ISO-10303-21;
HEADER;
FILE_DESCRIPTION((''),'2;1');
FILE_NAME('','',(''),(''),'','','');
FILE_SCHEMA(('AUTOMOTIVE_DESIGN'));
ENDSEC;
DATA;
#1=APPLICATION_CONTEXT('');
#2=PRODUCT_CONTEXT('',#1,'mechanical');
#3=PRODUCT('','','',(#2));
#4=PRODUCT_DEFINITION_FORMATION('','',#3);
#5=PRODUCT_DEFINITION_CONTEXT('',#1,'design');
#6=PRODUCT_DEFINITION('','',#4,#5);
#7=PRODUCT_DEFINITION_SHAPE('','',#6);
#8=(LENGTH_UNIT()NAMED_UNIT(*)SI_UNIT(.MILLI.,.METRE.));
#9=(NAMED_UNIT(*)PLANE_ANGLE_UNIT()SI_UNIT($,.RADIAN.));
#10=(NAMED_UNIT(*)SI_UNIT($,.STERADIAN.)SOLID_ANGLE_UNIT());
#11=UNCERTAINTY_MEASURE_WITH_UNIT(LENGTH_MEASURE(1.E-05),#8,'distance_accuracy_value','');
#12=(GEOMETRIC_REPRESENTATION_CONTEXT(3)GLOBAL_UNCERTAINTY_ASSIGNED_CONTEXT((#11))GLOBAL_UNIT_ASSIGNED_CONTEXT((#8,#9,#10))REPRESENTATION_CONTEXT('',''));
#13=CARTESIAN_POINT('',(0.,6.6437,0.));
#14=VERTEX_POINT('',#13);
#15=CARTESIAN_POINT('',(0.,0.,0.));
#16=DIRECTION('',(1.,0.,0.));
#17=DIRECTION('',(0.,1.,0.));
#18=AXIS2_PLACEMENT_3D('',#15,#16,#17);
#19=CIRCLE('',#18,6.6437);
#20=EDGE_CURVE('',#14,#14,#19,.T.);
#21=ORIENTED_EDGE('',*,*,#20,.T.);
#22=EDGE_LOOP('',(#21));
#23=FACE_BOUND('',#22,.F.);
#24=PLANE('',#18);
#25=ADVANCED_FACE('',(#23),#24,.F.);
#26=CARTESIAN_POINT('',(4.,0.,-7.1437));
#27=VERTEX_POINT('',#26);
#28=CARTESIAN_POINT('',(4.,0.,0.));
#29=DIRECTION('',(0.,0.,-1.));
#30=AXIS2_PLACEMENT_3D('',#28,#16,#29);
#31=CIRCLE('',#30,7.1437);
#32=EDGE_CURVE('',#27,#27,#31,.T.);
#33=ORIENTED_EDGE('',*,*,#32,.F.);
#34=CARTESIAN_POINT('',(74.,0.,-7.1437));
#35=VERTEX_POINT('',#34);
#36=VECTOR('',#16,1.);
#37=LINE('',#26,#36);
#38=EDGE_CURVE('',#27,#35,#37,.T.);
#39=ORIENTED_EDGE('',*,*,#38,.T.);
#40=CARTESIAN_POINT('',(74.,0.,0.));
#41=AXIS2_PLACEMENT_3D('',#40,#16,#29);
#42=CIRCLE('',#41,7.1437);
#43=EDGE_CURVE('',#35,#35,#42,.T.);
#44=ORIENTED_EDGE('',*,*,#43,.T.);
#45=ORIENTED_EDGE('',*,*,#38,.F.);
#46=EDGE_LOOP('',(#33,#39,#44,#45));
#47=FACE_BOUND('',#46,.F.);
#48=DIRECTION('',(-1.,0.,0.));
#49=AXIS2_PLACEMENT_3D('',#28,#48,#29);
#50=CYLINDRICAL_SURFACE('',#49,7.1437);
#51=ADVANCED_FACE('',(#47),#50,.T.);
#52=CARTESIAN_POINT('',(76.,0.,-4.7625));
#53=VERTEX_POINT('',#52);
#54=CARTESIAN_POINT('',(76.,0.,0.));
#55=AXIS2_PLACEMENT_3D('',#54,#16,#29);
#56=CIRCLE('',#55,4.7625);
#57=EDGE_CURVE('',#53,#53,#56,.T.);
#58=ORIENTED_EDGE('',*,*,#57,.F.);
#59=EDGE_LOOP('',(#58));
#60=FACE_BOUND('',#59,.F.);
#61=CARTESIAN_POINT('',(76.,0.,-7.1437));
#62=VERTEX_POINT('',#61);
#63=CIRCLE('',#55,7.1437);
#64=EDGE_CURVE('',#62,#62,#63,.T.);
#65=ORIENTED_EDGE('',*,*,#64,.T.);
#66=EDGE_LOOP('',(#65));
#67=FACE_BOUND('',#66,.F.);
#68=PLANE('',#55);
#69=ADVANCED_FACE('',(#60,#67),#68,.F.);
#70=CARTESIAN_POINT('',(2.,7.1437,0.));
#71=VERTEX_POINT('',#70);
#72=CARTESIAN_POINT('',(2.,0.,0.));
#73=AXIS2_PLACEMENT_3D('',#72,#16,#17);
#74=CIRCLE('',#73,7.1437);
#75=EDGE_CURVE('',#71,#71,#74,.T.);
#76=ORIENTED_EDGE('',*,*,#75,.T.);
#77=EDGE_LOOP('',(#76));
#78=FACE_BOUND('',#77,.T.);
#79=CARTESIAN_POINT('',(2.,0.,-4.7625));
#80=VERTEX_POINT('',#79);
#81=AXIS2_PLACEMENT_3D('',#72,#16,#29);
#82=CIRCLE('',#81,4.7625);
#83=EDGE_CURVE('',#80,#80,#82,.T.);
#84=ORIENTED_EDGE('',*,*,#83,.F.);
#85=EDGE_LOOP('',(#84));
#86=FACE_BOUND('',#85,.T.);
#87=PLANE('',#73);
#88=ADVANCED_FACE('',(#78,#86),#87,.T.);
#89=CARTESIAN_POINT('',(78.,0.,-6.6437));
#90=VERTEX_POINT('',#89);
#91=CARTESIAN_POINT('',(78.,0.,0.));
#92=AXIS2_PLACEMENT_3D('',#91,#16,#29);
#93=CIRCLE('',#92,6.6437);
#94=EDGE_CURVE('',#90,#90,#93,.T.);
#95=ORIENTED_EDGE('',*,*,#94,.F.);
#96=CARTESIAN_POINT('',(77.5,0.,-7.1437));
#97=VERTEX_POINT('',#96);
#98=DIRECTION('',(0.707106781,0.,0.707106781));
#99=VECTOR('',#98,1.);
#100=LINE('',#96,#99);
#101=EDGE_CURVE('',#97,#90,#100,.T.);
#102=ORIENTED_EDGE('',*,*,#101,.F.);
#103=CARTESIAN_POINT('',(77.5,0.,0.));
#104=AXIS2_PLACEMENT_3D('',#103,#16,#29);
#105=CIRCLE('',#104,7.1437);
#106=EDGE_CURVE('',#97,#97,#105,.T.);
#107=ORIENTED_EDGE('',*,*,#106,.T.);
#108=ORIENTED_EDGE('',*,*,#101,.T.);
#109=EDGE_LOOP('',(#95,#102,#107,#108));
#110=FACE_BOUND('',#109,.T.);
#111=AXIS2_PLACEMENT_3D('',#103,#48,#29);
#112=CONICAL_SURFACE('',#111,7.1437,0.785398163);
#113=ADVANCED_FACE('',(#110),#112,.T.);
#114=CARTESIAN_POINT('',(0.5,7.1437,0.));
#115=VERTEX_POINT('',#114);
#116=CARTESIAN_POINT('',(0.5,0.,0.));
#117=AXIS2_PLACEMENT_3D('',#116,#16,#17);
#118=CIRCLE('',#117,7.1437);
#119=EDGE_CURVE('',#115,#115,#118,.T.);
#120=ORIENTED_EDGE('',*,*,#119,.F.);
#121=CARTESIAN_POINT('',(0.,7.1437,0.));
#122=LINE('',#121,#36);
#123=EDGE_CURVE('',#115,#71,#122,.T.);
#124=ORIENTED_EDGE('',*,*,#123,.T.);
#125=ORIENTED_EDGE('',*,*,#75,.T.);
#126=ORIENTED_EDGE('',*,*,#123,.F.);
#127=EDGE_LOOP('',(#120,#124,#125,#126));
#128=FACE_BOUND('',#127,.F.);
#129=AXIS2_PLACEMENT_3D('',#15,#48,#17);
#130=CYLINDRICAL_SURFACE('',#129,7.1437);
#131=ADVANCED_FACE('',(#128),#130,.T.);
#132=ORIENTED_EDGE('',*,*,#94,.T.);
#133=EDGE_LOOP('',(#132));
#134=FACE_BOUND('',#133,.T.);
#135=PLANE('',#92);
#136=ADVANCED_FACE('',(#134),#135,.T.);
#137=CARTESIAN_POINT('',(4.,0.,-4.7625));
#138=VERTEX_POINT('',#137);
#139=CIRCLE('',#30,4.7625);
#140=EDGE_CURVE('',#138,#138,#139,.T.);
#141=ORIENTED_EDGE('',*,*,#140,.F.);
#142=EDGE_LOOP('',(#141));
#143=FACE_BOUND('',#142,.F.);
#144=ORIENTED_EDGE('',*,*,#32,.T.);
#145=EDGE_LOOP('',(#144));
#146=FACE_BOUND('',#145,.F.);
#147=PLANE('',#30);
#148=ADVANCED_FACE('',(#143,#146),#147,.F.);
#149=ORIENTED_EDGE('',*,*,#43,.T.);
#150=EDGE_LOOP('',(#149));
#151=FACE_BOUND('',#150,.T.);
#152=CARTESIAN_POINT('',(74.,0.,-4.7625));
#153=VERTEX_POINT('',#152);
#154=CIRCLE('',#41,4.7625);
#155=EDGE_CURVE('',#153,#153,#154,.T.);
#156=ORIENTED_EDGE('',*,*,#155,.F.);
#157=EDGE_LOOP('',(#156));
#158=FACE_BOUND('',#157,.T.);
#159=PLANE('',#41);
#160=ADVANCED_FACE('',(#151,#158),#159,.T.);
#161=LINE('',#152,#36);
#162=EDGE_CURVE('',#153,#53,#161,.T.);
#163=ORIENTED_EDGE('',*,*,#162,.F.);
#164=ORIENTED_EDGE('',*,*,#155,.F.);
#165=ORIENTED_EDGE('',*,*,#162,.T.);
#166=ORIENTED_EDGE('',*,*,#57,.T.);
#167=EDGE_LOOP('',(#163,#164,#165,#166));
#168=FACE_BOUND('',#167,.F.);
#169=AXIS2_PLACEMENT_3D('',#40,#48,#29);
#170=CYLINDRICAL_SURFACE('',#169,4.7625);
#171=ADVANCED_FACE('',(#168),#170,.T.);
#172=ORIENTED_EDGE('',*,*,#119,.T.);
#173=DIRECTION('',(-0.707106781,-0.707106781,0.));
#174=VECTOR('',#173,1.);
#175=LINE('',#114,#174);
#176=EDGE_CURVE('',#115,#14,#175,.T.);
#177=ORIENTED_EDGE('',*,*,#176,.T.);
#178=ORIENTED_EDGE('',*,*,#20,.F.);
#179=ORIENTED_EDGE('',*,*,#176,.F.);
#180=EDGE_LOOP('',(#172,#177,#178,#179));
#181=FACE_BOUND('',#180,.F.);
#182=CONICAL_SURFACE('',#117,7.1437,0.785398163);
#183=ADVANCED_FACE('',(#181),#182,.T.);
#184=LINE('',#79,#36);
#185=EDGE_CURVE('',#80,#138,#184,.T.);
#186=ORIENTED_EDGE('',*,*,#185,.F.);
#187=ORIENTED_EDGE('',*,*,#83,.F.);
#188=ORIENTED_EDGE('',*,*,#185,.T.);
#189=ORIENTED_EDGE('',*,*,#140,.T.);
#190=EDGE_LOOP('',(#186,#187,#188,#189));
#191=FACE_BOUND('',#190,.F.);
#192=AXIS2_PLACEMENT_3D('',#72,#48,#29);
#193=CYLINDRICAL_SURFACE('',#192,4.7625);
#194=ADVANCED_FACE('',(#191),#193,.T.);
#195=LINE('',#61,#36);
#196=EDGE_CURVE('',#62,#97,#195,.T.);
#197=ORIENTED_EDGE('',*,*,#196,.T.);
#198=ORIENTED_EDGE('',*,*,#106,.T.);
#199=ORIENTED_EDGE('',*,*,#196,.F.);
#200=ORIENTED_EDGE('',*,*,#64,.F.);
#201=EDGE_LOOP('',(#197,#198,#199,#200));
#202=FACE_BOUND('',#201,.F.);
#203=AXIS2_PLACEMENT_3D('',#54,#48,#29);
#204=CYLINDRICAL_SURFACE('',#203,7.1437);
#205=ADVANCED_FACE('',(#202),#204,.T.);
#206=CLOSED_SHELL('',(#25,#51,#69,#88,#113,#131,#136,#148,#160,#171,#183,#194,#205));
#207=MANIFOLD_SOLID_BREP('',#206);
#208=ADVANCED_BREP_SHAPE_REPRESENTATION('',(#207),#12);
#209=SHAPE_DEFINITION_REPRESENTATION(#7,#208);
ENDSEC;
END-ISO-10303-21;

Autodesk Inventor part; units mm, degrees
ref_plane "YZ Plane" through (0, 0, 0) normal (1, 0, 0) x (0, 1, 0)
ref_plane "XZ Plane" through (0, 0, 0) normal (0, 1, 0) x (-1, 0, 0)
ref_plane "XY Plane" through (0, 0, 0) normal (0, 0, 1) x (1, 0, 0)
sketch "Esboço2" plane through (0, 0, 0) normal (1, 0, 0) x (0, 1, 0)
  circle A0 centre (0, 0) radius 7.1437
  dimension "d0" = 14.2875
extrude "Extrusão1" add sketch "Esboço2" along normal blind 2
sketch "Esboço3" plane through (2, 0, 0) normal (1, 0, 0) x (0, 0, -1)
  circle A0 centre (0, 0) radius 7.1437 projected
  circle A1 centre (0, 0) radius 4.7625
  dimension "d3" = 9.525
extrude "Extrusão2" add sketch "Esboço3" along normal blind 2 contours A1
sketch "Esboço4" plane through (4, 0, 0) normal (1, 0, 0) x (0, 0, -1)
  circle A0 centre (0, 0) radius 4.7625 projected
  circle A1 centre (0, 0) radius 7.1437
  dimension "d6" = 14.2875
extrude "Extrusão3" add sketch "Esboço4" along normal blind 70 contours A0 | A1
sketch "Esboço5" plane through (74, 0, 0) normal (1, 0, 0) x (0, 0, -1)
  circle A0 centre (0, 0) radius 7.1437 projected
  circle A1 centre (0, 0) radius 4.7625
  dimension "d9" = 9.525
extrude "Extrusão4" add sketch "Esboço5" along normal blind 2 contours A1
sketch "Esboço6" plane through (76, 0, 0) normal (1, 0, 0) x (0, 0, -1)
  circle A0 centre (0, 0) radius 4.7625 projected
  circle A1 centre (0, 0) radius 7.1437
  dimension "d12" = 14.2875
extrude "Extrusão5" add sketch "Esboço6" along normal blind 2 contours A0 | A1
chamfer "Chanfro1" distance 0.5 angle 45 2 edges at (0, -7.1437, 0) (78, 0, 7.1437)
properties part number "pino_a3" material "Aço carbono"
